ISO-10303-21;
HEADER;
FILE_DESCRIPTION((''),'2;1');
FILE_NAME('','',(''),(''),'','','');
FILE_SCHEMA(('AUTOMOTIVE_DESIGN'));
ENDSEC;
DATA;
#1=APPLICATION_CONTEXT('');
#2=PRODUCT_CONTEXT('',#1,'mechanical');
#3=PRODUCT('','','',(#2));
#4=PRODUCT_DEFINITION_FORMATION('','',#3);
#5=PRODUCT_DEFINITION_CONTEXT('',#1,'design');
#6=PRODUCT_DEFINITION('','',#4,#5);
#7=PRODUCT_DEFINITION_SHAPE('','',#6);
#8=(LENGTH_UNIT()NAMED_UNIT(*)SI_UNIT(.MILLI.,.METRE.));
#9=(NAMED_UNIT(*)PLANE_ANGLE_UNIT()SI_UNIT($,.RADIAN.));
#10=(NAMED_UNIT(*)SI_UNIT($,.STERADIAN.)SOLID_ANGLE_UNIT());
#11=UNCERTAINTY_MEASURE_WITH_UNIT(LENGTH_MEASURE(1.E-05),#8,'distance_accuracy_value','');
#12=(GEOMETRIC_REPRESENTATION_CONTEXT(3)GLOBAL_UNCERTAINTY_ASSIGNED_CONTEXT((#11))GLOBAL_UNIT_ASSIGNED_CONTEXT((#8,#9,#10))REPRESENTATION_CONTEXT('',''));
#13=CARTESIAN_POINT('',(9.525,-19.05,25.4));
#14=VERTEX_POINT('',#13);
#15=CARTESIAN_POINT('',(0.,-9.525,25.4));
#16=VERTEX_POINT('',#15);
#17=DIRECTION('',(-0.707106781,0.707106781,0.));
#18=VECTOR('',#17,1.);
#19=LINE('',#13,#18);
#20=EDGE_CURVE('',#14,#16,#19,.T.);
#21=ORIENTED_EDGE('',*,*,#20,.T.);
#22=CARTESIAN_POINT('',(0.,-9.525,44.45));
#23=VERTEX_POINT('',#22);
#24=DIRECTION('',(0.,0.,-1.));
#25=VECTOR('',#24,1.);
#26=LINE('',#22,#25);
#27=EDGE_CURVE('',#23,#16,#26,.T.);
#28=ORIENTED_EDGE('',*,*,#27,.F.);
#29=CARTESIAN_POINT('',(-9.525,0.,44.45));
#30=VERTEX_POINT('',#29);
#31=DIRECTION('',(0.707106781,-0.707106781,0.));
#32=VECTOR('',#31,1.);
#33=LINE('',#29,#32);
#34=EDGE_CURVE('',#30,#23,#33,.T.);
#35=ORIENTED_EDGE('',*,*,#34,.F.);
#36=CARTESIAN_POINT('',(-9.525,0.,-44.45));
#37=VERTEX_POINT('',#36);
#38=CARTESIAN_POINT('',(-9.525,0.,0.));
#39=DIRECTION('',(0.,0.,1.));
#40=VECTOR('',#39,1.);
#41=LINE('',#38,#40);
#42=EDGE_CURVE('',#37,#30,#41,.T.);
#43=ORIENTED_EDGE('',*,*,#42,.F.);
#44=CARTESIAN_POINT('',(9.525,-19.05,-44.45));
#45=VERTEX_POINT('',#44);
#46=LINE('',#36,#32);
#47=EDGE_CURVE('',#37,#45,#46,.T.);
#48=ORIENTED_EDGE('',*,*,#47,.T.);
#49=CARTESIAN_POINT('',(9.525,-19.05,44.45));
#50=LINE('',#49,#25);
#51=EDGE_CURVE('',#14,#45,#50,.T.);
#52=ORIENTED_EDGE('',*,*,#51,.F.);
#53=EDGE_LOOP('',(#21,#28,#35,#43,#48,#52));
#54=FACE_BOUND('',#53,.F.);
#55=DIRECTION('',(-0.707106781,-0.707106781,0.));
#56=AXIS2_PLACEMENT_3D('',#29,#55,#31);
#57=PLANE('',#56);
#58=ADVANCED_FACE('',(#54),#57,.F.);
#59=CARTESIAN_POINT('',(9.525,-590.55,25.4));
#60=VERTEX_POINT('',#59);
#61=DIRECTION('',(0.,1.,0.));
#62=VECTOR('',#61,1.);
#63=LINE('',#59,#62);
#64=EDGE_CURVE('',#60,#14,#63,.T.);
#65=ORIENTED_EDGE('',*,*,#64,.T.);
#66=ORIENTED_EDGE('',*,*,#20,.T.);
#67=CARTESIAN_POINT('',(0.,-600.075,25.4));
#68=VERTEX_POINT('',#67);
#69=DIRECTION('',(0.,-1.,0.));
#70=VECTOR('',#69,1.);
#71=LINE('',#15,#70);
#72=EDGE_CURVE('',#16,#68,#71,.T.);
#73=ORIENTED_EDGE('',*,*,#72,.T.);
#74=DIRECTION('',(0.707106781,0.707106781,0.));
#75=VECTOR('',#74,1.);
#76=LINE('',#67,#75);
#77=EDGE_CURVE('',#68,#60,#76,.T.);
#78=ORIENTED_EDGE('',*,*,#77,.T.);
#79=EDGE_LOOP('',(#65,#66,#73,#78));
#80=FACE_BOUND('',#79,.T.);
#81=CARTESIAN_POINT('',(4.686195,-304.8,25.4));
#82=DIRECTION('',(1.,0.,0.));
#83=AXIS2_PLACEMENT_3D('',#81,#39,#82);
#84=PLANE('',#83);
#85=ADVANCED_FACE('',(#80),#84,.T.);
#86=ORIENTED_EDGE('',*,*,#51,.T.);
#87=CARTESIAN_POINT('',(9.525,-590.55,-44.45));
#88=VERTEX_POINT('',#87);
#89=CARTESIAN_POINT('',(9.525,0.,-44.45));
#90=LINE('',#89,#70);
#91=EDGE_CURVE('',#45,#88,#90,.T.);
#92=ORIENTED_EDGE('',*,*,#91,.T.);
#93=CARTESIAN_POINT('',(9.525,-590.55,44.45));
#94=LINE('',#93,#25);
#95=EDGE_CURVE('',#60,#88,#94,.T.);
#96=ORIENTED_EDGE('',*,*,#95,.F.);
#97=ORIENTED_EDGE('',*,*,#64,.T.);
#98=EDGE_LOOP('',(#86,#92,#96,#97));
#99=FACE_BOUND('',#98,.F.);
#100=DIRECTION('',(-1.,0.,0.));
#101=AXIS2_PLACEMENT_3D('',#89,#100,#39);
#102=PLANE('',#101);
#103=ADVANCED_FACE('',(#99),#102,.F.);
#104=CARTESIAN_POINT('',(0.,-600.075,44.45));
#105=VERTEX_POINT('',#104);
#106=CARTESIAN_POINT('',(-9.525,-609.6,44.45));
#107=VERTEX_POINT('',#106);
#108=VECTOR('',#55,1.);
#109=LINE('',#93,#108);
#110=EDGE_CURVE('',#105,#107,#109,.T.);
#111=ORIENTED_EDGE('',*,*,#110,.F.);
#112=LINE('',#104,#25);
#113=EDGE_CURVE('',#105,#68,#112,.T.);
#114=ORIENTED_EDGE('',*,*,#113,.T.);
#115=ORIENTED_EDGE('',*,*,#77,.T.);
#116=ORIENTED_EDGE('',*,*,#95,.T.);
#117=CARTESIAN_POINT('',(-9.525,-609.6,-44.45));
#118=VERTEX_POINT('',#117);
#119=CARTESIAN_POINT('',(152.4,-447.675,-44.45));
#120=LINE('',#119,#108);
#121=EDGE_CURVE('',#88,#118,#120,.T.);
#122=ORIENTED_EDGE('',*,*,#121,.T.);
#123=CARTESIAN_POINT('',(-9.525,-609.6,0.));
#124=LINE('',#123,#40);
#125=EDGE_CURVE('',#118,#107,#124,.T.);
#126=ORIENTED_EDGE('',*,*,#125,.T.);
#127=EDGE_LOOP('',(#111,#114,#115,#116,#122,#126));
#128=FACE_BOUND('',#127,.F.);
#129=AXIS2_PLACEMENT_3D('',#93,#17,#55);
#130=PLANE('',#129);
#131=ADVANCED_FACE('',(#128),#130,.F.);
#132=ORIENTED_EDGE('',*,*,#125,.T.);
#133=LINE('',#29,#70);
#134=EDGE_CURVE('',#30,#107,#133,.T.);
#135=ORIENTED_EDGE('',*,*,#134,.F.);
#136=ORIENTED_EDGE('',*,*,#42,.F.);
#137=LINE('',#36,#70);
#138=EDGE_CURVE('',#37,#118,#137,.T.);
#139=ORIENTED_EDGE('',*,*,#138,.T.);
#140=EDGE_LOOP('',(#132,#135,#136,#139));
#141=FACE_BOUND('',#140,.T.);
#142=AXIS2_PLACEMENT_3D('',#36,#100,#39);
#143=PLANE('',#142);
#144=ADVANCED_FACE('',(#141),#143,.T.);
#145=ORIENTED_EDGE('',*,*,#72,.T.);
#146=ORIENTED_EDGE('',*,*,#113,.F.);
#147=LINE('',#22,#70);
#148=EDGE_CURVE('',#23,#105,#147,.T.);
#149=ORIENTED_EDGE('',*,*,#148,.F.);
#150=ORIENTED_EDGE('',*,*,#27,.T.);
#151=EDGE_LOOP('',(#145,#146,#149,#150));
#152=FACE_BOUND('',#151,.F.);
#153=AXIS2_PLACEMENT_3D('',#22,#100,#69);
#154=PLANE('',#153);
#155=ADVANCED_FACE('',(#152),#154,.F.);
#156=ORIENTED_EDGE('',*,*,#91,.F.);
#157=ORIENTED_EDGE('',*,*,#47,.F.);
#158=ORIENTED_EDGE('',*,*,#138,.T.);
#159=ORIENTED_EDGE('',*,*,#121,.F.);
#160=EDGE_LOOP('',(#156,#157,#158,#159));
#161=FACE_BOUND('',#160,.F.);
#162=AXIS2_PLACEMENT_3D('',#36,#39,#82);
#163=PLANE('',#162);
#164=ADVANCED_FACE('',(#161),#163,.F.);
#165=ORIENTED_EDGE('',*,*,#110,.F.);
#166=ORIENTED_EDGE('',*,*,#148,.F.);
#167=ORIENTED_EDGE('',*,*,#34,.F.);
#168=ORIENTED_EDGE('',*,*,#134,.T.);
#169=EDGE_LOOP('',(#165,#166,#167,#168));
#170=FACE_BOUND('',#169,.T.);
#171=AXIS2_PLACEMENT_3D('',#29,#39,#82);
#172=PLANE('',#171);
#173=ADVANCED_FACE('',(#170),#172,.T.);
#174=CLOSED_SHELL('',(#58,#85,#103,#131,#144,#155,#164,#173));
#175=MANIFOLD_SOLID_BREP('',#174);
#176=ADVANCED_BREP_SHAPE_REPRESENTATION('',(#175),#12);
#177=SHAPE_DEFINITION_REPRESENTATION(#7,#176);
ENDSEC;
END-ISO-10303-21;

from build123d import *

# Parameters (mm, degrees)
F0_W     = 19.05
F0_H     = 88.9
F1_DEPTH = 609.6
F3_DEPTH = 88.901
F5_DEPTH = 19.05


with BuildPart() as f1:
    # F0 (on Front) → F1 (new body)
    with BuildSketch(Plane.XZ):
        Rectangle(F0_W, F0_H)
    extrude(amount=F1_DEPTH)

    # F2 (on face) → F3 (cut, through all)
    with BuildSketch(Plane.XY.offset(44.45)):
        Polygon((9.525, -590.55), (-9.525, -609.6), (9.525, -609.6), align=None)
        Polygon((9.525, 0), (-9.525, 0), (9.525, -19.05), align=None)
    extrude(amount=-F3_DEPTH, mode=Mode.SUBTRACT)

    # F4 (on face) → F5 (cut)
    with BuildSketch(Plane.XY.offset(44.45)):
        Polygon((0, -9.525), (0, -600.075), (9.525, -590.55), (9.525, -19.05), align=None)
    extrude(amount=-F5_DEPTH, mode=Mode.SUBTRACT)


solid = f1.part
